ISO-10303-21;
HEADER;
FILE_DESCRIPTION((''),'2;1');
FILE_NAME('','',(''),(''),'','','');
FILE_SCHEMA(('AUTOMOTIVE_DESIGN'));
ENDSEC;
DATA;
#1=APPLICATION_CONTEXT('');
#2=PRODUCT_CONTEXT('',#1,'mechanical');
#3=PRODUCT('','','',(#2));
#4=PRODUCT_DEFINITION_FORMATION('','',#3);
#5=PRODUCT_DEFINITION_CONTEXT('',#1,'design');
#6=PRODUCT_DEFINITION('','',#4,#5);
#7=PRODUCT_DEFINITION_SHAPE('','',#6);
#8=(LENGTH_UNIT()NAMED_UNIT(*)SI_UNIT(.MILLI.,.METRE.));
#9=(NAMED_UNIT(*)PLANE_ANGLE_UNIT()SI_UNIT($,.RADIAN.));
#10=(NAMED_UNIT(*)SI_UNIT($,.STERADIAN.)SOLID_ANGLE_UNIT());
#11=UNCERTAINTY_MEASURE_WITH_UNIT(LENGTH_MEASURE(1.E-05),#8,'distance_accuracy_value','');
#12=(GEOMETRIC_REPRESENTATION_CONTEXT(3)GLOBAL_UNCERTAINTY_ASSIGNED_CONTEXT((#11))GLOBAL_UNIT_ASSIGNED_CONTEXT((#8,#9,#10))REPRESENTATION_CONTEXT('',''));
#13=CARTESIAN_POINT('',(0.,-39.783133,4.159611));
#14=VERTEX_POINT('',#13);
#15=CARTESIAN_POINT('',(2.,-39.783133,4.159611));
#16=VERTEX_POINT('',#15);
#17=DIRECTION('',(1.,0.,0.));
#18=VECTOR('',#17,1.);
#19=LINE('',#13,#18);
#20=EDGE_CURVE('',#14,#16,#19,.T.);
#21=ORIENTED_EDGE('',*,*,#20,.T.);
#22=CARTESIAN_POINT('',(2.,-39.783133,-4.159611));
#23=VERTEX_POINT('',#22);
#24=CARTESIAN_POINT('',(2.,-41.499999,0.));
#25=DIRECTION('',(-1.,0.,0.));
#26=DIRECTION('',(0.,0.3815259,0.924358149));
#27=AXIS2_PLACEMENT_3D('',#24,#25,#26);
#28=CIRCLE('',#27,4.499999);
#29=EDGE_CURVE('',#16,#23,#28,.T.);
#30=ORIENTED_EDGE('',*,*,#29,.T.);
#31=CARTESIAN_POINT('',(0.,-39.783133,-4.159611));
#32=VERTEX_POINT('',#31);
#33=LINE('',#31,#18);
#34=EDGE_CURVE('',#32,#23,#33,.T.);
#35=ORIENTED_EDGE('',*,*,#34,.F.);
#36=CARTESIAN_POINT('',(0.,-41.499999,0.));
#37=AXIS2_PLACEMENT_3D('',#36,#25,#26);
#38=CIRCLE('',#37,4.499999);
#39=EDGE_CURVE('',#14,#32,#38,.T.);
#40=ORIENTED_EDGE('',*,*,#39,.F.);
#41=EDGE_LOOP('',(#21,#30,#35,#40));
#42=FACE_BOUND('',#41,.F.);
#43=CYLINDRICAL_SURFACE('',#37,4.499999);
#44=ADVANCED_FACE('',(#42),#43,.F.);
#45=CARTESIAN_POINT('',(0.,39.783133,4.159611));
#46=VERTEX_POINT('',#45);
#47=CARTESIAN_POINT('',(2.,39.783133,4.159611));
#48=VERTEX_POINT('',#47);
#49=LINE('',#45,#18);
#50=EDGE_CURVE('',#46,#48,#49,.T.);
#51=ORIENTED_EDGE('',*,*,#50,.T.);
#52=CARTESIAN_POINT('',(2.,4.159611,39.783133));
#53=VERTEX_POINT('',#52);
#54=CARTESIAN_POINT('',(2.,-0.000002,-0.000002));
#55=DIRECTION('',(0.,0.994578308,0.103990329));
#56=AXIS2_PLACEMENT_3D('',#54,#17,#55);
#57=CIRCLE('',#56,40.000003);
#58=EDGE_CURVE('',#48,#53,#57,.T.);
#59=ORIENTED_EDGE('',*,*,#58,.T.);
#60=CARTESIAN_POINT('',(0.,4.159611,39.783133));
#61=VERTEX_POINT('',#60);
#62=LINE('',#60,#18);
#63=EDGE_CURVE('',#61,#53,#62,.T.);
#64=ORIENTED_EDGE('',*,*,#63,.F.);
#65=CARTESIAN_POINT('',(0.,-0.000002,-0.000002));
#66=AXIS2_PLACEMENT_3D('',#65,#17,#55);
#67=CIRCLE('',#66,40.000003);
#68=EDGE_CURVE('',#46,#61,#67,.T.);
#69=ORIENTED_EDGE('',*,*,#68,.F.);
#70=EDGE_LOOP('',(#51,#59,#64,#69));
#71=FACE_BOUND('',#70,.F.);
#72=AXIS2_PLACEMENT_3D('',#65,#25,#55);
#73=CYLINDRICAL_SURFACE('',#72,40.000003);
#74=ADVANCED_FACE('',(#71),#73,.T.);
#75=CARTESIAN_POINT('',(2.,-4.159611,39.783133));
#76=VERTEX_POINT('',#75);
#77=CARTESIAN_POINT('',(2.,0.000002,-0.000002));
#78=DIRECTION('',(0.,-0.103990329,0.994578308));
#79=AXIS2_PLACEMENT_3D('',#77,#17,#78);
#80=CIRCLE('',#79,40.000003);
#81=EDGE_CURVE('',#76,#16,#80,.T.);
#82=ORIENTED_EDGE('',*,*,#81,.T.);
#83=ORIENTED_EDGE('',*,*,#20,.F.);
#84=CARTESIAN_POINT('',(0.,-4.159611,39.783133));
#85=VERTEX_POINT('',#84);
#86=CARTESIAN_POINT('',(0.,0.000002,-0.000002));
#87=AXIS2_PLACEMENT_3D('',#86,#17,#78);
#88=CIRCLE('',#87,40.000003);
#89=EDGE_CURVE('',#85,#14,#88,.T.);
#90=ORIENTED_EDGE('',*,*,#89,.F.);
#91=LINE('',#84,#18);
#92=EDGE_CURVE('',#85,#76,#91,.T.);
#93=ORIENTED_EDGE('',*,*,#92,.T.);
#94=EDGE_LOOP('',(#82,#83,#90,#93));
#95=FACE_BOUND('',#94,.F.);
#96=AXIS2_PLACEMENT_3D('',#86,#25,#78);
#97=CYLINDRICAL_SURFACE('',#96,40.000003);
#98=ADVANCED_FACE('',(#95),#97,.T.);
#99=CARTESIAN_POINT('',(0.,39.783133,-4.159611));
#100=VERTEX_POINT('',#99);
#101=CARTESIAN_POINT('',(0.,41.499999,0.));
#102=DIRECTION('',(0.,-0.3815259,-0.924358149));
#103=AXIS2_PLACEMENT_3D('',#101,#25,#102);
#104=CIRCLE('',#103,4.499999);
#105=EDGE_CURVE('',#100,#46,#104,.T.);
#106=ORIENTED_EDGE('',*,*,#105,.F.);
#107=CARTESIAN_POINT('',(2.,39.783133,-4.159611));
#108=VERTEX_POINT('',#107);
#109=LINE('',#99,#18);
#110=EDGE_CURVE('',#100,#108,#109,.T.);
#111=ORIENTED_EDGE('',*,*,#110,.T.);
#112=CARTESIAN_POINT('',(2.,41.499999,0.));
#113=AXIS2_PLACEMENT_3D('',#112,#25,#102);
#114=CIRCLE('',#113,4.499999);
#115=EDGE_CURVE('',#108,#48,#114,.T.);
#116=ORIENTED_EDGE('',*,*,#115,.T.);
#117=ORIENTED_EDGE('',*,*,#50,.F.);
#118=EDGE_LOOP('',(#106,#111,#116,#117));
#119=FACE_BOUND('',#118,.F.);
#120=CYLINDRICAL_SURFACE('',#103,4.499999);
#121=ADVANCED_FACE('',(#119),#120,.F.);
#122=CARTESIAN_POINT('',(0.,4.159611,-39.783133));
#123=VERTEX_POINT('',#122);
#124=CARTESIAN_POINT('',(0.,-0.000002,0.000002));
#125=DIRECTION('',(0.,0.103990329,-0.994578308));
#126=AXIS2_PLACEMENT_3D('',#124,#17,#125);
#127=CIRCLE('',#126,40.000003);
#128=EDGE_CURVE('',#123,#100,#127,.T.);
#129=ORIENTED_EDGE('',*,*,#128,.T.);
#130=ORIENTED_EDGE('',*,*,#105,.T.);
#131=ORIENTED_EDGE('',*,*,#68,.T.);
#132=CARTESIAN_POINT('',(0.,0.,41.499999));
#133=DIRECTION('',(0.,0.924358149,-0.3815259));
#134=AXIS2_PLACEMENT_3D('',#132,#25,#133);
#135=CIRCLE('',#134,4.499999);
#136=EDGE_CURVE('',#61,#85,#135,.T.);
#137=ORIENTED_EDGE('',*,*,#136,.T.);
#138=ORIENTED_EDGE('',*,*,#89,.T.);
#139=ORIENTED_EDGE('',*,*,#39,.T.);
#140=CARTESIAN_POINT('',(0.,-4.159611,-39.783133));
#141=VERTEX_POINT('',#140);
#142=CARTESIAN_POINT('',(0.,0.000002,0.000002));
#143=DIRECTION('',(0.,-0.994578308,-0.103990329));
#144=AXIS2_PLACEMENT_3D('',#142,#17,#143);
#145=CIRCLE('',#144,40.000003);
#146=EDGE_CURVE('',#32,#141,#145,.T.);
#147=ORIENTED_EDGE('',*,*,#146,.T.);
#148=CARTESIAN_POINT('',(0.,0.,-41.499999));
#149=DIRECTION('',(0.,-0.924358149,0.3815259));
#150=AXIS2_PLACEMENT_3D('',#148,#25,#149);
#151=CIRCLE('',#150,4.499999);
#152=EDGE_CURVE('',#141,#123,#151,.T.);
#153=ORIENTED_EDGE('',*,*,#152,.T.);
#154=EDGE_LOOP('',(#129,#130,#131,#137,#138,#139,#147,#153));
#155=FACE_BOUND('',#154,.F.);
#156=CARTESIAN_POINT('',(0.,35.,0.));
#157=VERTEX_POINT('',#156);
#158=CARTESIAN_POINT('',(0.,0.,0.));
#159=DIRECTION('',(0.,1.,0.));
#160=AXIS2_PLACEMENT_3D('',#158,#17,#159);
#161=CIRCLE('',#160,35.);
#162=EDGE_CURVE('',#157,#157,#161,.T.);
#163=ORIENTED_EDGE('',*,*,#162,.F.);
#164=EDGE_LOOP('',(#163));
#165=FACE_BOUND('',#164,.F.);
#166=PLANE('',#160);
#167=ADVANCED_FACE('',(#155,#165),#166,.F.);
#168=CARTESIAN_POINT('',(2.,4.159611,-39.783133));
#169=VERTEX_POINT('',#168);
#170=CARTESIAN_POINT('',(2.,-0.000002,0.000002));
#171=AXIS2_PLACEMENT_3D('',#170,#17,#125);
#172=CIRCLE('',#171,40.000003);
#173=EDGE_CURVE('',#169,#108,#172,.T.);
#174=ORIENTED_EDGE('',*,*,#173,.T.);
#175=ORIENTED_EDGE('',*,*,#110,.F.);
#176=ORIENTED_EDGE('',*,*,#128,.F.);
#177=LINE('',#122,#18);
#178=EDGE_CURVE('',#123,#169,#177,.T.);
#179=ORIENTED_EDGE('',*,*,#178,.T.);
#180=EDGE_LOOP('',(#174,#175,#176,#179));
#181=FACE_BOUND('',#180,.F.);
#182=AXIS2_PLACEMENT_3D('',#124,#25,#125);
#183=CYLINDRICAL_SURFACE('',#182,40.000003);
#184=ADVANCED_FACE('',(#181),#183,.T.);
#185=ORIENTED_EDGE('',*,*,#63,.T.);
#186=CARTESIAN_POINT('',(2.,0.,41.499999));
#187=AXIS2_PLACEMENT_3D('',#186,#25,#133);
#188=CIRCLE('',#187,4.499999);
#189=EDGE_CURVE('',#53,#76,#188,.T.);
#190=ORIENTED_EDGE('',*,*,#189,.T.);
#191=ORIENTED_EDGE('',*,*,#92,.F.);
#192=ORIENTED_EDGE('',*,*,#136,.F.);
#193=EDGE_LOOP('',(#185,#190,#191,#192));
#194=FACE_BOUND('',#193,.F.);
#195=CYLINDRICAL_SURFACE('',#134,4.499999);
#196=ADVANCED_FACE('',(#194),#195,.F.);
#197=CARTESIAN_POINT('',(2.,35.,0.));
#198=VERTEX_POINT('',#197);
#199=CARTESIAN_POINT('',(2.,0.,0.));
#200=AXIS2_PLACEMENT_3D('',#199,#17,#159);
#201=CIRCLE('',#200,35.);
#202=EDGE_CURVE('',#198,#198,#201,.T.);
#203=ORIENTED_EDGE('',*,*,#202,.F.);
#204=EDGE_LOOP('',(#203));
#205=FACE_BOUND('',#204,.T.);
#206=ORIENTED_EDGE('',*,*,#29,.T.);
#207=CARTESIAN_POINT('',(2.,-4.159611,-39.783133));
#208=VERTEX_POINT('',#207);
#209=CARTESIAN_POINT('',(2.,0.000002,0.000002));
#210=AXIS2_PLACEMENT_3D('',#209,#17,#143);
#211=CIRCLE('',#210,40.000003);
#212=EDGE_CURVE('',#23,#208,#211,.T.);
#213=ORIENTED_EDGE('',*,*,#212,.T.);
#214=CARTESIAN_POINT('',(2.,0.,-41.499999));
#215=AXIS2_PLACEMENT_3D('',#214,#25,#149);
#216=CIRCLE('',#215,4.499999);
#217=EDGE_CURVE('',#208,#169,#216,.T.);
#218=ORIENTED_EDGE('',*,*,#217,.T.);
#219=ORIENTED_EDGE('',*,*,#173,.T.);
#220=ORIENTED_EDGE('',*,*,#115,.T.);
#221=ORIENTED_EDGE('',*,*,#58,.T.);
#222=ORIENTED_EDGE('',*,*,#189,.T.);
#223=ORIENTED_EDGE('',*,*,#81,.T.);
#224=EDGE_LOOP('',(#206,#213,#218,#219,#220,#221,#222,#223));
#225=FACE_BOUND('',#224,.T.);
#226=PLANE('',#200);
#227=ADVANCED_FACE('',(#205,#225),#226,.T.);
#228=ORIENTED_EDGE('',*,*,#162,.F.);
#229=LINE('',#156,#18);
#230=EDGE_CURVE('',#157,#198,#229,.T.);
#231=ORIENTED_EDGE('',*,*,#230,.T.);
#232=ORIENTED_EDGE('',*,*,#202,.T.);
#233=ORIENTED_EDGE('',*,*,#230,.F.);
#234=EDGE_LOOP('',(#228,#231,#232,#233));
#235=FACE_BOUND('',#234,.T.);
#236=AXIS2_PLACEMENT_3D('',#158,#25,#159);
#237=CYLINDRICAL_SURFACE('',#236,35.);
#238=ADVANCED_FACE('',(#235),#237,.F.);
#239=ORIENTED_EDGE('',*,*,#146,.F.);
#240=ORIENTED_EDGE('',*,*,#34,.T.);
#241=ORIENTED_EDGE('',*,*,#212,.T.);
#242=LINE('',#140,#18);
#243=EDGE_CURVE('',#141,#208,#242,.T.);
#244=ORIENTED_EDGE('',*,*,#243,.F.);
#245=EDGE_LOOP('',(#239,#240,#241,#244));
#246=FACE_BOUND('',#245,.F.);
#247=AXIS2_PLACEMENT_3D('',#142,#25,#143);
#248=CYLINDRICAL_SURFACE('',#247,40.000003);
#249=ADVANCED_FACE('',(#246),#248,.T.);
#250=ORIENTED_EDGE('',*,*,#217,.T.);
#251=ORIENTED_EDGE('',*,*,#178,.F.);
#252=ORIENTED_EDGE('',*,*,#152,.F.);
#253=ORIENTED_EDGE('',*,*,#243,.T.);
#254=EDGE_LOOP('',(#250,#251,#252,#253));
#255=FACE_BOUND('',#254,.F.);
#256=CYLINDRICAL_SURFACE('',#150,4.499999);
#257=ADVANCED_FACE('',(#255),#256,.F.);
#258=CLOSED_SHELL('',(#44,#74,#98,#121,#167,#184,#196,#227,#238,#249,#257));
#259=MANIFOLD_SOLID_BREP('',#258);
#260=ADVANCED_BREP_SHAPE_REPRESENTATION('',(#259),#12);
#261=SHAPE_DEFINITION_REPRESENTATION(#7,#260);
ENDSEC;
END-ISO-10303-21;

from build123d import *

# Parameters (mm, degrees)
F0_R     = 35
F1_DEPTH = 2


with BuildPart() as f1:
    # F0 (on Right) → F1 (new body)
    with BuildSketch(Plane.YZ):
        with BuildLine():
            ThreePointArc((4.159611, 39.783133), (0, 37), (-4.159611, 39.783133))
            ThreePointArc((-4.159611, 39.783133), (-28.284271, 28.284271), (-39.783133, 4.159611))
            ThreePointArc((-39.783133, 4.159611), (-37, 0), (-39.783133, -4.159611))
            ThreePointArc((-39.783133, -4.159611), (-28.284271, -28.284271), (-4.159611, -39.783133))
            ThreePointArc((-4.159611, -39.783133), (0, -37), (4.159611, -39.783133))
            ThreePointArc((4.159611, -39.783133), (28.284271, -28.284271), (39.783133, -4.159611))
            ThreePointArc((39.783133, -4.159611), (37, 0), (39.783133, 4.159611))
            ThreePointArc((39.783133, 4.159611), (28.284271, 28.284271), (4.159611, 39.783133))
        make_face()
        Circle(F0_R, mode=Mode.SUBTRACT)
    extrude(amount=F1_DEPTH)


solid = f1.part
